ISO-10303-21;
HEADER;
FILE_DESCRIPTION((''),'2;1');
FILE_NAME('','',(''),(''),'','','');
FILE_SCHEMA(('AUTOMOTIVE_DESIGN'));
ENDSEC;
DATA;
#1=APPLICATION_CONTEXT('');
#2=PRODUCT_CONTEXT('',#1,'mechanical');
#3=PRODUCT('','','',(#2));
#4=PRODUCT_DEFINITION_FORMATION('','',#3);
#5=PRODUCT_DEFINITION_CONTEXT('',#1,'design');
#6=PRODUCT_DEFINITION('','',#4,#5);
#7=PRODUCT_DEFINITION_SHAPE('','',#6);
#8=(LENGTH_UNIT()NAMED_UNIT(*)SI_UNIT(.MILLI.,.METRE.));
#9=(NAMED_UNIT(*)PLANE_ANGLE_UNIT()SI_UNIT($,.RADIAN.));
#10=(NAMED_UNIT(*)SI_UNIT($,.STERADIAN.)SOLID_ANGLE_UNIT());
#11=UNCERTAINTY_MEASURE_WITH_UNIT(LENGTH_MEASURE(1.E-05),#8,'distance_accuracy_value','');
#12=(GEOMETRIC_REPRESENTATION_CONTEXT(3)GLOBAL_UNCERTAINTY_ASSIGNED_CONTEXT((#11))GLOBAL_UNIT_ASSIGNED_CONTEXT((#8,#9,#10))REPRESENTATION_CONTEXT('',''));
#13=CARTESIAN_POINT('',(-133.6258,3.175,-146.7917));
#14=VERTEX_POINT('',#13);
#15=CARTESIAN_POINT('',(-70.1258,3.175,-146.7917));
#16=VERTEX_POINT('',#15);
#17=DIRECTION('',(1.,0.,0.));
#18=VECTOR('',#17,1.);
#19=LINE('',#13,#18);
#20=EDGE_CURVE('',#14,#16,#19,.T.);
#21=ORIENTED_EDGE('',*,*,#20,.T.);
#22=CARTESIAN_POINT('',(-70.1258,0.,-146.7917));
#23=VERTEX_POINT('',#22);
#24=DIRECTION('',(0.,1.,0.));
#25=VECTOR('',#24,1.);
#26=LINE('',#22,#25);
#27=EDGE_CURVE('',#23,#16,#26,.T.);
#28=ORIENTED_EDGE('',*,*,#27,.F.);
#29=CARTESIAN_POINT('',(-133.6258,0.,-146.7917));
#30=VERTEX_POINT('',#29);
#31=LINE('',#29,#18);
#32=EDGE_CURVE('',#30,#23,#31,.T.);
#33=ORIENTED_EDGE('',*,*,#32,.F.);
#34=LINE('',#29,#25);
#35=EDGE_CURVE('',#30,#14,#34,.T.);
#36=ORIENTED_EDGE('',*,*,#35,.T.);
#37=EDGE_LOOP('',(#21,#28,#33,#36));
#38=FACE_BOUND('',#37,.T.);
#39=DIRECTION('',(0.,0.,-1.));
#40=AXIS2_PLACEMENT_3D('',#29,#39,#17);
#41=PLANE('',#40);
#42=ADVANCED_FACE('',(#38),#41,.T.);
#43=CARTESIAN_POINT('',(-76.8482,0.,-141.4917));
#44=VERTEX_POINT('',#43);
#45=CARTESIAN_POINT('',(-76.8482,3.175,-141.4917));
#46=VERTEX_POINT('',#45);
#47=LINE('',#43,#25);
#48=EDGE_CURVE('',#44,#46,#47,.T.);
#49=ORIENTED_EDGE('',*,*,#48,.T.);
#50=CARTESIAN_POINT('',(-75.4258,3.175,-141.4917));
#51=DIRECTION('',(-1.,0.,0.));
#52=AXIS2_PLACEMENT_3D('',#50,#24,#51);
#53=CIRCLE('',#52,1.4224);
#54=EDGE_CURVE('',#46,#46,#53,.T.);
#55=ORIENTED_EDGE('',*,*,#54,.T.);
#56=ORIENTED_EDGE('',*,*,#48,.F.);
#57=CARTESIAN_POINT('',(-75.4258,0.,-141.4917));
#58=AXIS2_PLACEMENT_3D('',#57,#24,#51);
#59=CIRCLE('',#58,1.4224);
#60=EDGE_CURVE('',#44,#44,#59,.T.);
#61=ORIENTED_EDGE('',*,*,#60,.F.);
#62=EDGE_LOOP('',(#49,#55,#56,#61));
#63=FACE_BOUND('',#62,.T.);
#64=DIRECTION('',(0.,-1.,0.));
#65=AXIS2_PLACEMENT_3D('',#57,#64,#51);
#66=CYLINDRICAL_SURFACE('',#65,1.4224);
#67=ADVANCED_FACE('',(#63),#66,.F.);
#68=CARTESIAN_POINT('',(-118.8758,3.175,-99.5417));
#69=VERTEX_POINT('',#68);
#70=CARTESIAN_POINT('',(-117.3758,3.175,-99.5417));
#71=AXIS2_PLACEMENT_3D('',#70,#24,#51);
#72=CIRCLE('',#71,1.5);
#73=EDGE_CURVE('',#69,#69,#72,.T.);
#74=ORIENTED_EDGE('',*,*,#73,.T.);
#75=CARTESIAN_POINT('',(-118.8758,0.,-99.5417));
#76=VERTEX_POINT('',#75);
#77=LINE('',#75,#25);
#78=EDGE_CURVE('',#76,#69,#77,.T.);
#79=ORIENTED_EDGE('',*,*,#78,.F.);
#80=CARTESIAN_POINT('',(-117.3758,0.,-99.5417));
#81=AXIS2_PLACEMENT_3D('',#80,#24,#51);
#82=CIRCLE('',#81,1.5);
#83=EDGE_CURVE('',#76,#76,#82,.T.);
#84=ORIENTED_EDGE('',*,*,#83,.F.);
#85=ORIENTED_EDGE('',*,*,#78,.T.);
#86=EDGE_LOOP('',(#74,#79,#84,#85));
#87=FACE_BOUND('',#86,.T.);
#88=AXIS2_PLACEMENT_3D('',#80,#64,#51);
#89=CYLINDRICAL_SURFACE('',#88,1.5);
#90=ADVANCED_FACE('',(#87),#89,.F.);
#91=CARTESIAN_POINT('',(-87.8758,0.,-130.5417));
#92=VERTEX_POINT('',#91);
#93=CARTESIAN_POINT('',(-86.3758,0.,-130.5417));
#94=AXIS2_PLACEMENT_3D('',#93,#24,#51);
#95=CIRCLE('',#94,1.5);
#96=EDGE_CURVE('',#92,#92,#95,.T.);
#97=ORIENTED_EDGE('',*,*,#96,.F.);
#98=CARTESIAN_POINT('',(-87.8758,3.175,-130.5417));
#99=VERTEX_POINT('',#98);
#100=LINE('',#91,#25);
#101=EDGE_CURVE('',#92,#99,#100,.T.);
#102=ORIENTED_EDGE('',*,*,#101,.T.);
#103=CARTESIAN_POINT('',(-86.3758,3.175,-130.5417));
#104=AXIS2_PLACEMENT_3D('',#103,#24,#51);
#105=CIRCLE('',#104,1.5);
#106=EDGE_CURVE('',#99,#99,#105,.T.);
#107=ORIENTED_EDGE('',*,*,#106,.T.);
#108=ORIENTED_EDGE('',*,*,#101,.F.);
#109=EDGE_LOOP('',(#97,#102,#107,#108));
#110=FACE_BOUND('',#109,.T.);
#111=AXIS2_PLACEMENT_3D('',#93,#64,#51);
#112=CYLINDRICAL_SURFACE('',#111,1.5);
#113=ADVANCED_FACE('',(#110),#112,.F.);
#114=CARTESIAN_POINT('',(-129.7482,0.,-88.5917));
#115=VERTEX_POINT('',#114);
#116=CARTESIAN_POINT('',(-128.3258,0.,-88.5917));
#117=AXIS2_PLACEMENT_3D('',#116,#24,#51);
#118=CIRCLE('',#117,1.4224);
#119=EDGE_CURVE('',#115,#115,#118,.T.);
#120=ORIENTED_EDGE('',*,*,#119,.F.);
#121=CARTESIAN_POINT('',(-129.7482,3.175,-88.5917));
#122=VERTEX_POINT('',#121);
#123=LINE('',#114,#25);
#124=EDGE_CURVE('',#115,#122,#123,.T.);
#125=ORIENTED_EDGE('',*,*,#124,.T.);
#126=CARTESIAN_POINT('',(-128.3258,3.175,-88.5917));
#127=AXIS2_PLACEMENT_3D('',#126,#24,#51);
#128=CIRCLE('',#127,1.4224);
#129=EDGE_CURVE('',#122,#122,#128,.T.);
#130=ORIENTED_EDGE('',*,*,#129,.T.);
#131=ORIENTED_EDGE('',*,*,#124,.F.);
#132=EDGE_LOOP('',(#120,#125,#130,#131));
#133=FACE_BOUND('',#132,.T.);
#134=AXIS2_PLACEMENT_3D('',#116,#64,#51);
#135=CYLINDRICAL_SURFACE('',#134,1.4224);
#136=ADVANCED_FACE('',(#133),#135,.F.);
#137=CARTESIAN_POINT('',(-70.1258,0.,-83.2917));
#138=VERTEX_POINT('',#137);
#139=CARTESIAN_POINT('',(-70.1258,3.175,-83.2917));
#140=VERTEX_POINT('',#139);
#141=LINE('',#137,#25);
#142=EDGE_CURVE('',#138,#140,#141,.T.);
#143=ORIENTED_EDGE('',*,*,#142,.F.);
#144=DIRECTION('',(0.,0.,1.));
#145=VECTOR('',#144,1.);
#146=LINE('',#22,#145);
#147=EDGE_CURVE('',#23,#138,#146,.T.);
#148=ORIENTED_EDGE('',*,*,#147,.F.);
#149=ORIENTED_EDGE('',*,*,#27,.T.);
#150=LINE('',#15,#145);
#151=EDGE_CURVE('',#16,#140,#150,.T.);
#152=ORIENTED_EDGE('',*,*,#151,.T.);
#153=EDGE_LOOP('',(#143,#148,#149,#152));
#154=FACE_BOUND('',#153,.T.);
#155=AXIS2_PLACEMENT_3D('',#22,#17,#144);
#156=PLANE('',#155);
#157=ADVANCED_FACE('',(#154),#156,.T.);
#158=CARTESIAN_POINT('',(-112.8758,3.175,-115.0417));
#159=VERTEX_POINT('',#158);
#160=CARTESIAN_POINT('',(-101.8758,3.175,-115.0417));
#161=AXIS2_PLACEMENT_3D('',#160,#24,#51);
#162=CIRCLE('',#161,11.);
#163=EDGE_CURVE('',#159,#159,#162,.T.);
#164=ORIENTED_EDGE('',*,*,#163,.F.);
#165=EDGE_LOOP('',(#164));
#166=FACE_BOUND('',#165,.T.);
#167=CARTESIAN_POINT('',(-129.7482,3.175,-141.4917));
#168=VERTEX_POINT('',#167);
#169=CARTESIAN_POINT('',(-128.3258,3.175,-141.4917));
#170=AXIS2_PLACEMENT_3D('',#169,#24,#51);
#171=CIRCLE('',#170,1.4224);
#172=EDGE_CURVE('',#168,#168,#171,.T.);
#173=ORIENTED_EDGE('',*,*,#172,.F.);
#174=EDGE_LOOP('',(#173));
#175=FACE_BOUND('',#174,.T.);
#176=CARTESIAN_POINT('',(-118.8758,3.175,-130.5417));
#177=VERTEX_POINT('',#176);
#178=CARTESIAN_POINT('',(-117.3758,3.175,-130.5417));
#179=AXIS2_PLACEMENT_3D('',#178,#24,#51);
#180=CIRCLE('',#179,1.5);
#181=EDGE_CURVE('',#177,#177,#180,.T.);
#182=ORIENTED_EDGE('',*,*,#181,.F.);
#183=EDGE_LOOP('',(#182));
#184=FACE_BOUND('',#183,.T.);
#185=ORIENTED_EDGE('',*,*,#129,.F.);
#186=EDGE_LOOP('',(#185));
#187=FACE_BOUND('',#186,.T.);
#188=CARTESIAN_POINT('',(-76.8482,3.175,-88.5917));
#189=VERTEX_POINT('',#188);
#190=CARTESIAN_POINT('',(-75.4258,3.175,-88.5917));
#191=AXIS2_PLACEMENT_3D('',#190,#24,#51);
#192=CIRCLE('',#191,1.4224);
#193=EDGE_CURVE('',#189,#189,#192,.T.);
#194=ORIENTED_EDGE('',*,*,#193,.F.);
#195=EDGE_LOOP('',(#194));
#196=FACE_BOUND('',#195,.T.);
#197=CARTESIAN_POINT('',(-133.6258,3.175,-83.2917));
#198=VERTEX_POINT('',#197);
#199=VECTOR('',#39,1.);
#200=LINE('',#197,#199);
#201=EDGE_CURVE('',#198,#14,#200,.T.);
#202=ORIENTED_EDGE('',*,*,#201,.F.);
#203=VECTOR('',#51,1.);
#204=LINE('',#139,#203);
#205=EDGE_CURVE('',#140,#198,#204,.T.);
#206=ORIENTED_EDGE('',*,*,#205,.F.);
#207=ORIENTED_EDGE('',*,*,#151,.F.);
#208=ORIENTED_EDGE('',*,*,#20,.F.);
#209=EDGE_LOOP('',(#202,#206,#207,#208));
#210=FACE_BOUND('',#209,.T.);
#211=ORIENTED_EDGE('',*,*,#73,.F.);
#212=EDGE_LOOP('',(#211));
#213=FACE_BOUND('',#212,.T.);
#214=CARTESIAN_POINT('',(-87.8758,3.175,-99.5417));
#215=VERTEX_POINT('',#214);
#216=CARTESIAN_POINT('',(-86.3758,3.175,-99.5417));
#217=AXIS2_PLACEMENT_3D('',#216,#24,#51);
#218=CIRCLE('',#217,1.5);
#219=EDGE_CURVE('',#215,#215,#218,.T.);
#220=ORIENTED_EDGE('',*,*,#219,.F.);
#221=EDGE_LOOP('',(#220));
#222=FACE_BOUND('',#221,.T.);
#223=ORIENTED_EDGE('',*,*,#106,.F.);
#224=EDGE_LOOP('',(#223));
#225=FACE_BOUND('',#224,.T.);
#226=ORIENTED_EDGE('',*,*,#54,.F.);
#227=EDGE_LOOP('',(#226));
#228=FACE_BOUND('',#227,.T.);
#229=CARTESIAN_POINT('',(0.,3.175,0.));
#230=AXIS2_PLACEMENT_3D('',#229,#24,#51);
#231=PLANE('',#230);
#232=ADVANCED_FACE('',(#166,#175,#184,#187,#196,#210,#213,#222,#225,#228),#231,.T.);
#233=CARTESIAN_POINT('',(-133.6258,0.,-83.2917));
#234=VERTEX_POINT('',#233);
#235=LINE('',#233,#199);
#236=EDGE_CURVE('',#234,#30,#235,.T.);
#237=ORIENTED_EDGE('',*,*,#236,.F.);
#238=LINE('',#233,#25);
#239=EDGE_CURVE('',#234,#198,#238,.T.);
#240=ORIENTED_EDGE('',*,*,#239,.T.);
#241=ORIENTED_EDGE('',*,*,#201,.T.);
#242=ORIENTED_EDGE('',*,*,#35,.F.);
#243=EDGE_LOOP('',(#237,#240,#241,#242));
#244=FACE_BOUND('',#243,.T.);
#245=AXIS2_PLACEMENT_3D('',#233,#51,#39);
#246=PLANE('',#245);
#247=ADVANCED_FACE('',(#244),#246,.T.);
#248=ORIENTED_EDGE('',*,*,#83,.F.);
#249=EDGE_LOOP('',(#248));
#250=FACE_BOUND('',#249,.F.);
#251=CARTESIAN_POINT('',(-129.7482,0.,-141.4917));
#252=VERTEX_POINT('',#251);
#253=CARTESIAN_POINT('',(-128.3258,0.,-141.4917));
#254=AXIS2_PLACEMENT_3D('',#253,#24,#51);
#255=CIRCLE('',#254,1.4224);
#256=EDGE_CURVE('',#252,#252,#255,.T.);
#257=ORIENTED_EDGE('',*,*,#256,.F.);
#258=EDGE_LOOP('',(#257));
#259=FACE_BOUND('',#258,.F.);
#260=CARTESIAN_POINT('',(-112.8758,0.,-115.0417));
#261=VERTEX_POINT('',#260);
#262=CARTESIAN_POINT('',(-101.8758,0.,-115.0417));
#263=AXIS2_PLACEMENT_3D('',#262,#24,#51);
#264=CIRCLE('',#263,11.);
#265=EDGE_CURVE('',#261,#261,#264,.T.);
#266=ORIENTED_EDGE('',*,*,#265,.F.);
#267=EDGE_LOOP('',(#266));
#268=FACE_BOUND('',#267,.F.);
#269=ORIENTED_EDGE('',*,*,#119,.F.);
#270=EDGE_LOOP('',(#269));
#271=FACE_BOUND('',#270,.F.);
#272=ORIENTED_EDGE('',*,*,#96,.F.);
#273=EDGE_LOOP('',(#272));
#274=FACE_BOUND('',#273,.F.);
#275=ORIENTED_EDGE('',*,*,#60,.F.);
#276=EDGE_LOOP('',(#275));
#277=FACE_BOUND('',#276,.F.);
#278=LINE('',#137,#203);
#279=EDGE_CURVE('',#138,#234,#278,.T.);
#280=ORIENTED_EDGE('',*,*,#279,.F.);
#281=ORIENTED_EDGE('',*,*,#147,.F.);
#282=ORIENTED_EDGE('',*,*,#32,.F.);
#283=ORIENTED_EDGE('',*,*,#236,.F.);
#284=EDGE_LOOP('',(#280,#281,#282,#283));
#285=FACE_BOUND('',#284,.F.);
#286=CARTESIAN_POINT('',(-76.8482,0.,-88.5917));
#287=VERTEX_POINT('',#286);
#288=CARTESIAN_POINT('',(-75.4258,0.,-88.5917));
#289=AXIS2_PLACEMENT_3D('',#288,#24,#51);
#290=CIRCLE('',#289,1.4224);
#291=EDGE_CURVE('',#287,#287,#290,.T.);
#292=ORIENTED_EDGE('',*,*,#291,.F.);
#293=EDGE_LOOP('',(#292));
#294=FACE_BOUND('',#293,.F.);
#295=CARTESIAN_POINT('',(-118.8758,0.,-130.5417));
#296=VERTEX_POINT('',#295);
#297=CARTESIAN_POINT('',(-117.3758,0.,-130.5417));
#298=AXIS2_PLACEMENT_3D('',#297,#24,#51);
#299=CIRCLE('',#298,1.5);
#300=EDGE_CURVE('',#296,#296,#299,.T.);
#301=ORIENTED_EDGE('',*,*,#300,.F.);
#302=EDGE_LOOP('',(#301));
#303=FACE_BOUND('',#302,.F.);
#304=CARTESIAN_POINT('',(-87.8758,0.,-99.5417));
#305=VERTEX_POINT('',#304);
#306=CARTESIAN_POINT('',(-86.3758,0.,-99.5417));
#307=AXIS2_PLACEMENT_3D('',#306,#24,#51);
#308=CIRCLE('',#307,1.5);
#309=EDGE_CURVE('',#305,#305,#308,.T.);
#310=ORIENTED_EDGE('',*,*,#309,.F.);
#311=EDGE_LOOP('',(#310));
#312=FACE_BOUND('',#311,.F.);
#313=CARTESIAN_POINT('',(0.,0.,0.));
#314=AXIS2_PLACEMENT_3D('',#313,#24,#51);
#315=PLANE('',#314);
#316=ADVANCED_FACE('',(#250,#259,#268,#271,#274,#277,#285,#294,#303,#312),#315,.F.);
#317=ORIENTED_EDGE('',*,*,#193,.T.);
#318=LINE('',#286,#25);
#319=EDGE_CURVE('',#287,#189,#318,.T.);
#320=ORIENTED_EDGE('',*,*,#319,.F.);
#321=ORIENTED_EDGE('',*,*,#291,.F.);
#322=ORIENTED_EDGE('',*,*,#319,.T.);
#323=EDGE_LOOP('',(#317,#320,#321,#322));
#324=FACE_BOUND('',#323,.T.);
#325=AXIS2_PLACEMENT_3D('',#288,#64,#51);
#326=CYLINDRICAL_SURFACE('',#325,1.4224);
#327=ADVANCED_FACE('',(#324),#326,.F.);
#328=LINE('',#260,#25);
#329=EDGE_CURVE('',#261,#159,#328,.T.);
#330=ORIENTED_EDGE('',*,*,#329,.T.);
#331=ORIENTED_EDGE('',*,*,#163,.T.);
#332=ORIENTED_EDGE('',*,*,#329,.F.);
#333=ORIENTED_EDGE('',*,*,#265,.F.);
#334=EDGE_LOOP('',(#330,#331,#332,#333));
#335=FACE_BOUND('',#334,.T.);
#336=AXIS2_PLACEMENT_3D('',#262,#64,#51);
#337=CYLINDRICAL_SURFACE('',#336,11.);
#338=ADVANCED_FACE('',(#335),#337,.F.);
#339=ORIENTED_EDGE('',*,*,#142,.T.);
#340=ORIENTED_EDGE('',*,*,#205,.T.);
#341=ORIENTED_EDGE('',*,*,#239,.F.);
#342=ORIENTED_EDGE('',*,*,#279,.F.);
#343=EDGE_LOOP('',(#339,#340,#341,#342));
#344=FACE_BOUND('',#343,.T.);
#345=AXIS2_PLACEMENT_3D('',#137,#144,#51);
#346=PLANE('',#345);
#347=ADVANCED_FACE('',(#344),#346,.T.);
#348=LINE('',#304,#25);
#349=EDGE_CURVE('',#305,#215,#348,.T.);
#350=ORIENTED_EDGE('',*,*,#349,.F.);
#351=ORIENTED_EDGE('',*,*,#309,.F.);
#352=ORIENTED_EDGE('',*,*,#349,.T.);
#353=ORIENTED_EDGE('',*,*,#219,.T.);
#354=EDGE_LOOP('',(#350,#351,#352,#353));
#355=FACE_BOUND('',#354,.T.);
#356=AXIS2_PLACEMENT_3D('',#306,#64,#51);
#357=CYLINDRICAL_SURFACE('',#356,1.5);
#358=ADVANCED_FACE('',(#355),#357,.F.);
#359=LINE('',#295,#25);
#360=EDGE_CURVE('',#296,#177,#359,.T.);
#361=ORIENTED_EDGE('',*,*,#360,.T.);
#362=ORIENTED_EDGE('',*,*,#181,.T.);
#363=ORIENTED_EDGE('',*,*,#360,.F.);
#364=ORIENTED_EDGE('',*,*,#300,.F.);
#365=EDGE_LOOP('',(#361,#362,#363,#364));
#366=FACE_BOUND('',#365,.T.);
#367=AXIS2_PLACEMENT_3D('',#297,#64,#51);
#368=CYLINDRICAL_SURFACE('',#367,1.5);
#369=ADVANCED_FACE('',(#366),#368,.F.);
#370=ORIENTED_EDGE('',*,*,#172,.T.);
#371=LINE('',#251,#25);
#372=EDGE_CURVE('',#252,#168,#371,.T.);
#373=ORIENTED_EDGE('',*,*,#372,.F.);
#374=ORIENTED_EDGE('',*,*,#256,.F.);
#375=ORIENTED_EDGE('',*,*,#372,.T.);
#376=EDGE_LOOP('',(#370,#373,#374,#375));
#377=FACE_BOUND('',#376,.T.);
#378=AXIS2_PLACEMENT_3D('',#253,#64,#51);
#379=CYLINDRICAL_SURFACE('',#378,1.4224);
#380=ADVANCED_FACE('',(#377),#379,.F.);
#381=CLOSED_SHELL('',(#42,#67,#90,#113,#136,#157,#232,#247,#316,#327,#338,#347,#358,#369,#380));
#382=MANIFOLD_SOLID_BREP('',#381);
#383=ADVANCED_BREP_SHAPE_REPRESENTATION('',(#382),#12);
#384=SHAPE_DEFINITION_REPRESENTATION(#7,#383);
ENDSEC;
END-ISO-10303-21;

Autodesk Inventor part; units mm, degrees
ref_plane "YZ Plane" through (0, 0, 0) normal (1, 0, 0) x (0, 1, 0)
ref_plane "XZ Plane" through (0, 0, 0) normal (0, 1, 0) x (-1, 0, 0)
ref_plane "XY Plane" through (0, 0, 0) normal (0, 0, 1) x (1, 0, 0)
sketch "Sketch1" plane through (0, 0, 0) normal (0, 1, 0) x (-1, 0, 0)
  circle A0 centre (86.3758, -99.5417) radius 1.5 projected
  circle A1 centre (117.3758, -99.5417) radius 1.5 projected
  circle A2 centre (117.3758, -130.5417) radius 1.5 projected
  circle A3 centre (86.3758, -130.5417) radius 1.5 projected
  circle A4 centre (101.8758, -115.0417) radius 11 projected
  line L0 (133.6258, -146.7917) -> (70.1258, -146.7917)
  line L1 (70.1258, -146.7917) -> (70.1258, -83.2917)
  line L2 (70.1258, -83.2917) -> (133.6258, -83.2917)
  line L3 (133.6258, -83.2917) -> (133.6258, -146.7917)
  line L4 (80.7258, -93.8917) -> (123.0258, -93.8917) construction
  line L5 (123.0258, -93.8917) -> (123.0258, -136.1917) construction
  line L6 (123.0258, -136.1917) -> (80.7258, -136.1917) construction
  line L7 (80.7258, -136.1917) -> (80.7258, -93.8917) construction
  line L8 (80.7258, -136.1917) -> (123.0258, -93.8917) construction
  line L9 (123.0258, -136.1917) -> (80.7258, -93.8917) construction
  circle A5 centre (75.4258, -88.5917) radius 1.4224
  circle A6 centre (75.4258, -141.4917) radius 1.4224
  circle A7 centre (128.3258, -141.4917) radius 1.4224
  circle A8 centre (128.3258, -88.5917) radius 1.4224
  point P0 (0, 0)
  dimension "d9" = 63.5
  dimension "d11" = 2.8448
  dimension "d12" = 2.8448
  dimension "d19" = 63.5
  dimension "d20" = 2.8448
  dimension "d21" = 2.8448
extrude "Extrusion1" add sketch "Sketch1" along normal blind 3.175
ref_plane "Work Plane1" through (-70.1258, 0, -115.0417) normal (0, 0, -1) x (-1, 0, 0)
